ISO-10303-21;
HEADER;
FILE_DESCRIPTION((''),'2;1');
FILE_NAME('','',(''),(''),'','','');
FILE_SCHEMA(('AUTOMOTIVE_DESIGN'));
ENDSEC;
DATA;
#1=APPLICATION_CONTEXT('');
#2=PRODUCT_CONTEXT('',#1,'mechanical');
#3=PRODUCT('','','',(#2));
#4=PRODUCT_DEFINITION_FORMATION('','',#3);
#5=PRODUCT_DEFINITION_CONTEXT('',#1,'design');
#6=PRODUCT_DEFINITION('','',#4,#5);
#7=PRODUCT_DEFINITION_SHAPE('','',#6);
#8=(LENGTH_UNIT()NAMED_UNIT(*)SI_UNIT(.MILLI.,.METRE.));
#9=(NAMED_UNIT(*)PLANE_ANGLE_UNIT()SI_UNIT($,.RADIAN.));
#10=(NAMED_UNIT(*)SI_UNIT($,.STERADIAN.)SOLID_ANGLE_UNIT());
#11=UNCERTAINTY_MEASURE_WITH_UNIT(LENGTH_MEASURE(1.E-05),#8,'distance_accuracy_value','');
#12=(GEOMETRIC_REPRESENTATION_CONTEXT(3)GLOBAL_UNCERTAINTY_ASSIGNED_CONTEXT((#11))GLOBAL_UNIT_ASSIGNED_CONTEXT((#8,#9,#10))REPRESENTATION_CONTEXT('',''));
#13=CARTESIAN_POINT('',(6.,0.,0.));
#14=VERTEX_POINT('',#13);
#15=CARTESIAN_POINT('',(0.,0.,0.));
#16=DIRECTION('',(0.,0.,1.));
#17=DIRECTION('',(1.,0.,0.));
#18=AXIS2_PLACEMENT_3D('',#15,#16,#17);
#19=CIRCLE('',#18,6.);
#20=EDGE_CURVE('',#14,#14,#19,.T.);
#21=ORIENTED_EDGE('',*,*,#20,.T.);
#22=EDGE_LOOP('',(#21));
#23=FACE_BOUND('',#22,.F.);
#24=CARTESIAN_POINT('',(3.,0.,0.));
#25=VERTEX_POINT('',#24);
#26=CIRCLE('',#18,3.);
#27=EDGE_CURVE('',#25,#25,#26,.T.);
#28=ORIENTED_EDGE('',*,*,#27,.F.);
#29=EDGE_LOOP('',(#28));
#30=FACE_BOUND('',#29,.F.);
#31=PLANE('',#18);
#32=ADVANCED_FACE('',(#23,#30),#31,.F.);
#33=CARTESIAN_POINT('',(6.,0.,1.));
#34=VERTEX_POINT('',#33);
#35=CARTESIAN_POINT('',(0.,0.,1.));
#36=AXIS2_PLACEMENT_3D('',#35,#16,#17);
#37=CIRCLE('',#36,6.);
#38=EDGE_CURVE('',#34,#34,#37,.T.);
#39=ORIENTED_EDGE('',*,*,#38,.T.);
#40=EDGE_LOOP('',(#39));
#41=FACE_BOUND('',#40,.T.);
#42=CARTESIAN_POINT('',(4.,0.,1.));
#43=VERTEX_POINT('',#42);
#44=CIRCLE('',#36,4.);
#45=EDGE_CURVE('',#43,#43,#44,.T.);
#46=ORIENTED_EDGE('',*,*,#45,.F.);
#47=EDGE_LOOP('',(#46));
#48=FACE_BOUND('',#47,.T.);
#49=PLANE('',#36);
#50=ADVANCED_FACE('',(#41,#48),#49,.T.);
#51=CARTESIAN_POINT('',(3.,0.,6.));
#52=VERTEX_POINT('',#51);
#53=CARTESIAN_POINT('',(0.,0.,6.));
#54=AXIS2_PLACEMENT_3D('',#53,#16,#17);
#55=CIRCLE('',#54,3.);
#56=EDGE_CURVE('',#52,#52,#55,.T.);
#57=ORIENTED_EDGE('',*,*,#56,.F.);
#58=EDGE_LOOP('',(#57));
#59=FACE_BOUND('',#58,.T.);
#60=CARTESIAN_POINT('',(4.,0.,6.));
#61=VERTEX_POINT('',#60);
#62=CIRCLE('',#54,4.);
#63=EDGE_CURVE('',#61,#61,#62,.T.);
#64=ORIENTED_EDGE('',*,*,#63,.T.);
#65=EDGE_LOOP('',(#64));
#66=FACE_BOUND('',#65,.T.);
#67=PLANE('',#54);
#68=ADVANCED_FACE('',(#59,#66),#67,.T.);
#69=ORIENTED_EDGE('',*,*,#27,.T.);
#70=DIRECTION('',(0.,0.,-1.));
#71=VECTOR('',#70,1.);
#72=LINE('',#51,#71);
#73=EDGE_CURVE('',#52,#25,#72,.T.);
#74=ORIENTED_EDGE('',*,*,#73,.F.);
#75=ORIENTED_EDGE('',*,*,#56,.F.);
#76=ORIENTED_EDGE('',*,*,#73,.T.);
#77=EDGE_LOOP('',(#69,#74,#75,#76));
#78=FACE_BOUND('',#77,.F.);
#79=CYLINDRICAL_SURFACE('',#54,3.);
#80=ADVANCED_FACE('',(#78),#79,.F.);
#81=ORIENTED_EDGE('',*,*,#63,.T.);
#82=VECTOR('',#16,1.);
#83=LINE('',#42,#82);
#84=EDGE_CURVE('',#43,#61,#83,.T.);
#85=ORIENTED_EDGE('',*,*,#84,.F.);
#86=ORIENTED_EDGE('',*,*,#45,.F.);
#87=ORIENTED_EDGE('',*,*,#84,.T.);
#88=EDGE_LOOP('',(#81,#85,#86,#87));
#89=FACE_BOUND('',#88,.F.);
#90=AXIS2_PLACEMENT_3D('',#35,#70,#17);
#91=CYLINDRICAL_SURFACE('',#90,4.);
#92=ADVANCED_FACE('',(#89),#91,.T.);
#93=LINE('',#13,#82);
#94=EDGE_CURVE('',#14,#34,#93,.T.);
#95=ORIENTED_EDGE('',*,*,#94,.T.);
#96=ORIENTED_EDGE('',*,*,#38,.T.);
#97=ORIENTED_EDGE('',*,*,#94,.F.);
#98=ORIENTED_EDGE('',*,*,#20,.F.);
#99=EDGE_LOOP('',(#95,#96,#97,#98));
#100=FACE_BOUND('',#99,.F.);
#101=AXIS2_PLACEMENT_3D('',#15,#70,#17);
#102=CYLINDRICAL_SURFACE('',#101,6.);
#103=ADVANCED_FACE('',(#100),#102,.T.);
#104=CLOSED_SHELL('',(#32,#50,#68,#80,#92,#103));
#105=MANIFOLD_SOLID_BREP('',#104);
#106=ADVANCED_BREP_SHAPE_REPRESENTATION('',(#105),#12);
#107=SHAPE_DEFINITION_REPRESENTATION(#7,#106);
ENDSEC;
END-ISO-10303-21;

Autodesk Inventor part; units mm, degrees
ref_plane "YZ Plane" through (0, 0, 0) normal (1, 0, 0) x (0, 1, 0)
ref_plane "XZ Plane" through (0, 0, 0) normal (0, 1, 0) x (-1, 0, 0)
ref_plane "XY Plane" through (0, 0, 0) normal (0, 0, 1) x (1, 0, 0)
sketch "スケッチ1" plane through (0, 0, 0) normal (0, 0, 1) x (1, 0, 0)
  circle A0 centre (0, 0) radius 6
  dimension "d0" = 12
extrude "押し出し1" add sketch "スケッチ1" along normal blind 1
sketch "スケッチ2" plane through (0, 0, 1) normal (0, 0, 1) x (1, 0, 0)
  circle A0 centre (0, 0) radius 4
  circle A1 centre (0, 0) radius 3
  dimension "d3" = 8
  dimension "d4" = 6
extrude "押し出し2" add sketch "スケッチ2" along normal blind 5 contours A0 | A1
sketch "スケッチ3" plane through (0, 0, 6) normal (0, 0, 1) x (1, 0, 0)
  circle A0 centre (0, 0) radius 4 projected
  circle A1 centre (0, 0) radius 3
  dimension "d7" = 6
extrude "押し出し3" cut sketch "スケッチ3" against normal blind 6 contours A1
properties part number "フランジブッシュ　d6-D8-l5-h12" material "アセタール樹脂、黒"
